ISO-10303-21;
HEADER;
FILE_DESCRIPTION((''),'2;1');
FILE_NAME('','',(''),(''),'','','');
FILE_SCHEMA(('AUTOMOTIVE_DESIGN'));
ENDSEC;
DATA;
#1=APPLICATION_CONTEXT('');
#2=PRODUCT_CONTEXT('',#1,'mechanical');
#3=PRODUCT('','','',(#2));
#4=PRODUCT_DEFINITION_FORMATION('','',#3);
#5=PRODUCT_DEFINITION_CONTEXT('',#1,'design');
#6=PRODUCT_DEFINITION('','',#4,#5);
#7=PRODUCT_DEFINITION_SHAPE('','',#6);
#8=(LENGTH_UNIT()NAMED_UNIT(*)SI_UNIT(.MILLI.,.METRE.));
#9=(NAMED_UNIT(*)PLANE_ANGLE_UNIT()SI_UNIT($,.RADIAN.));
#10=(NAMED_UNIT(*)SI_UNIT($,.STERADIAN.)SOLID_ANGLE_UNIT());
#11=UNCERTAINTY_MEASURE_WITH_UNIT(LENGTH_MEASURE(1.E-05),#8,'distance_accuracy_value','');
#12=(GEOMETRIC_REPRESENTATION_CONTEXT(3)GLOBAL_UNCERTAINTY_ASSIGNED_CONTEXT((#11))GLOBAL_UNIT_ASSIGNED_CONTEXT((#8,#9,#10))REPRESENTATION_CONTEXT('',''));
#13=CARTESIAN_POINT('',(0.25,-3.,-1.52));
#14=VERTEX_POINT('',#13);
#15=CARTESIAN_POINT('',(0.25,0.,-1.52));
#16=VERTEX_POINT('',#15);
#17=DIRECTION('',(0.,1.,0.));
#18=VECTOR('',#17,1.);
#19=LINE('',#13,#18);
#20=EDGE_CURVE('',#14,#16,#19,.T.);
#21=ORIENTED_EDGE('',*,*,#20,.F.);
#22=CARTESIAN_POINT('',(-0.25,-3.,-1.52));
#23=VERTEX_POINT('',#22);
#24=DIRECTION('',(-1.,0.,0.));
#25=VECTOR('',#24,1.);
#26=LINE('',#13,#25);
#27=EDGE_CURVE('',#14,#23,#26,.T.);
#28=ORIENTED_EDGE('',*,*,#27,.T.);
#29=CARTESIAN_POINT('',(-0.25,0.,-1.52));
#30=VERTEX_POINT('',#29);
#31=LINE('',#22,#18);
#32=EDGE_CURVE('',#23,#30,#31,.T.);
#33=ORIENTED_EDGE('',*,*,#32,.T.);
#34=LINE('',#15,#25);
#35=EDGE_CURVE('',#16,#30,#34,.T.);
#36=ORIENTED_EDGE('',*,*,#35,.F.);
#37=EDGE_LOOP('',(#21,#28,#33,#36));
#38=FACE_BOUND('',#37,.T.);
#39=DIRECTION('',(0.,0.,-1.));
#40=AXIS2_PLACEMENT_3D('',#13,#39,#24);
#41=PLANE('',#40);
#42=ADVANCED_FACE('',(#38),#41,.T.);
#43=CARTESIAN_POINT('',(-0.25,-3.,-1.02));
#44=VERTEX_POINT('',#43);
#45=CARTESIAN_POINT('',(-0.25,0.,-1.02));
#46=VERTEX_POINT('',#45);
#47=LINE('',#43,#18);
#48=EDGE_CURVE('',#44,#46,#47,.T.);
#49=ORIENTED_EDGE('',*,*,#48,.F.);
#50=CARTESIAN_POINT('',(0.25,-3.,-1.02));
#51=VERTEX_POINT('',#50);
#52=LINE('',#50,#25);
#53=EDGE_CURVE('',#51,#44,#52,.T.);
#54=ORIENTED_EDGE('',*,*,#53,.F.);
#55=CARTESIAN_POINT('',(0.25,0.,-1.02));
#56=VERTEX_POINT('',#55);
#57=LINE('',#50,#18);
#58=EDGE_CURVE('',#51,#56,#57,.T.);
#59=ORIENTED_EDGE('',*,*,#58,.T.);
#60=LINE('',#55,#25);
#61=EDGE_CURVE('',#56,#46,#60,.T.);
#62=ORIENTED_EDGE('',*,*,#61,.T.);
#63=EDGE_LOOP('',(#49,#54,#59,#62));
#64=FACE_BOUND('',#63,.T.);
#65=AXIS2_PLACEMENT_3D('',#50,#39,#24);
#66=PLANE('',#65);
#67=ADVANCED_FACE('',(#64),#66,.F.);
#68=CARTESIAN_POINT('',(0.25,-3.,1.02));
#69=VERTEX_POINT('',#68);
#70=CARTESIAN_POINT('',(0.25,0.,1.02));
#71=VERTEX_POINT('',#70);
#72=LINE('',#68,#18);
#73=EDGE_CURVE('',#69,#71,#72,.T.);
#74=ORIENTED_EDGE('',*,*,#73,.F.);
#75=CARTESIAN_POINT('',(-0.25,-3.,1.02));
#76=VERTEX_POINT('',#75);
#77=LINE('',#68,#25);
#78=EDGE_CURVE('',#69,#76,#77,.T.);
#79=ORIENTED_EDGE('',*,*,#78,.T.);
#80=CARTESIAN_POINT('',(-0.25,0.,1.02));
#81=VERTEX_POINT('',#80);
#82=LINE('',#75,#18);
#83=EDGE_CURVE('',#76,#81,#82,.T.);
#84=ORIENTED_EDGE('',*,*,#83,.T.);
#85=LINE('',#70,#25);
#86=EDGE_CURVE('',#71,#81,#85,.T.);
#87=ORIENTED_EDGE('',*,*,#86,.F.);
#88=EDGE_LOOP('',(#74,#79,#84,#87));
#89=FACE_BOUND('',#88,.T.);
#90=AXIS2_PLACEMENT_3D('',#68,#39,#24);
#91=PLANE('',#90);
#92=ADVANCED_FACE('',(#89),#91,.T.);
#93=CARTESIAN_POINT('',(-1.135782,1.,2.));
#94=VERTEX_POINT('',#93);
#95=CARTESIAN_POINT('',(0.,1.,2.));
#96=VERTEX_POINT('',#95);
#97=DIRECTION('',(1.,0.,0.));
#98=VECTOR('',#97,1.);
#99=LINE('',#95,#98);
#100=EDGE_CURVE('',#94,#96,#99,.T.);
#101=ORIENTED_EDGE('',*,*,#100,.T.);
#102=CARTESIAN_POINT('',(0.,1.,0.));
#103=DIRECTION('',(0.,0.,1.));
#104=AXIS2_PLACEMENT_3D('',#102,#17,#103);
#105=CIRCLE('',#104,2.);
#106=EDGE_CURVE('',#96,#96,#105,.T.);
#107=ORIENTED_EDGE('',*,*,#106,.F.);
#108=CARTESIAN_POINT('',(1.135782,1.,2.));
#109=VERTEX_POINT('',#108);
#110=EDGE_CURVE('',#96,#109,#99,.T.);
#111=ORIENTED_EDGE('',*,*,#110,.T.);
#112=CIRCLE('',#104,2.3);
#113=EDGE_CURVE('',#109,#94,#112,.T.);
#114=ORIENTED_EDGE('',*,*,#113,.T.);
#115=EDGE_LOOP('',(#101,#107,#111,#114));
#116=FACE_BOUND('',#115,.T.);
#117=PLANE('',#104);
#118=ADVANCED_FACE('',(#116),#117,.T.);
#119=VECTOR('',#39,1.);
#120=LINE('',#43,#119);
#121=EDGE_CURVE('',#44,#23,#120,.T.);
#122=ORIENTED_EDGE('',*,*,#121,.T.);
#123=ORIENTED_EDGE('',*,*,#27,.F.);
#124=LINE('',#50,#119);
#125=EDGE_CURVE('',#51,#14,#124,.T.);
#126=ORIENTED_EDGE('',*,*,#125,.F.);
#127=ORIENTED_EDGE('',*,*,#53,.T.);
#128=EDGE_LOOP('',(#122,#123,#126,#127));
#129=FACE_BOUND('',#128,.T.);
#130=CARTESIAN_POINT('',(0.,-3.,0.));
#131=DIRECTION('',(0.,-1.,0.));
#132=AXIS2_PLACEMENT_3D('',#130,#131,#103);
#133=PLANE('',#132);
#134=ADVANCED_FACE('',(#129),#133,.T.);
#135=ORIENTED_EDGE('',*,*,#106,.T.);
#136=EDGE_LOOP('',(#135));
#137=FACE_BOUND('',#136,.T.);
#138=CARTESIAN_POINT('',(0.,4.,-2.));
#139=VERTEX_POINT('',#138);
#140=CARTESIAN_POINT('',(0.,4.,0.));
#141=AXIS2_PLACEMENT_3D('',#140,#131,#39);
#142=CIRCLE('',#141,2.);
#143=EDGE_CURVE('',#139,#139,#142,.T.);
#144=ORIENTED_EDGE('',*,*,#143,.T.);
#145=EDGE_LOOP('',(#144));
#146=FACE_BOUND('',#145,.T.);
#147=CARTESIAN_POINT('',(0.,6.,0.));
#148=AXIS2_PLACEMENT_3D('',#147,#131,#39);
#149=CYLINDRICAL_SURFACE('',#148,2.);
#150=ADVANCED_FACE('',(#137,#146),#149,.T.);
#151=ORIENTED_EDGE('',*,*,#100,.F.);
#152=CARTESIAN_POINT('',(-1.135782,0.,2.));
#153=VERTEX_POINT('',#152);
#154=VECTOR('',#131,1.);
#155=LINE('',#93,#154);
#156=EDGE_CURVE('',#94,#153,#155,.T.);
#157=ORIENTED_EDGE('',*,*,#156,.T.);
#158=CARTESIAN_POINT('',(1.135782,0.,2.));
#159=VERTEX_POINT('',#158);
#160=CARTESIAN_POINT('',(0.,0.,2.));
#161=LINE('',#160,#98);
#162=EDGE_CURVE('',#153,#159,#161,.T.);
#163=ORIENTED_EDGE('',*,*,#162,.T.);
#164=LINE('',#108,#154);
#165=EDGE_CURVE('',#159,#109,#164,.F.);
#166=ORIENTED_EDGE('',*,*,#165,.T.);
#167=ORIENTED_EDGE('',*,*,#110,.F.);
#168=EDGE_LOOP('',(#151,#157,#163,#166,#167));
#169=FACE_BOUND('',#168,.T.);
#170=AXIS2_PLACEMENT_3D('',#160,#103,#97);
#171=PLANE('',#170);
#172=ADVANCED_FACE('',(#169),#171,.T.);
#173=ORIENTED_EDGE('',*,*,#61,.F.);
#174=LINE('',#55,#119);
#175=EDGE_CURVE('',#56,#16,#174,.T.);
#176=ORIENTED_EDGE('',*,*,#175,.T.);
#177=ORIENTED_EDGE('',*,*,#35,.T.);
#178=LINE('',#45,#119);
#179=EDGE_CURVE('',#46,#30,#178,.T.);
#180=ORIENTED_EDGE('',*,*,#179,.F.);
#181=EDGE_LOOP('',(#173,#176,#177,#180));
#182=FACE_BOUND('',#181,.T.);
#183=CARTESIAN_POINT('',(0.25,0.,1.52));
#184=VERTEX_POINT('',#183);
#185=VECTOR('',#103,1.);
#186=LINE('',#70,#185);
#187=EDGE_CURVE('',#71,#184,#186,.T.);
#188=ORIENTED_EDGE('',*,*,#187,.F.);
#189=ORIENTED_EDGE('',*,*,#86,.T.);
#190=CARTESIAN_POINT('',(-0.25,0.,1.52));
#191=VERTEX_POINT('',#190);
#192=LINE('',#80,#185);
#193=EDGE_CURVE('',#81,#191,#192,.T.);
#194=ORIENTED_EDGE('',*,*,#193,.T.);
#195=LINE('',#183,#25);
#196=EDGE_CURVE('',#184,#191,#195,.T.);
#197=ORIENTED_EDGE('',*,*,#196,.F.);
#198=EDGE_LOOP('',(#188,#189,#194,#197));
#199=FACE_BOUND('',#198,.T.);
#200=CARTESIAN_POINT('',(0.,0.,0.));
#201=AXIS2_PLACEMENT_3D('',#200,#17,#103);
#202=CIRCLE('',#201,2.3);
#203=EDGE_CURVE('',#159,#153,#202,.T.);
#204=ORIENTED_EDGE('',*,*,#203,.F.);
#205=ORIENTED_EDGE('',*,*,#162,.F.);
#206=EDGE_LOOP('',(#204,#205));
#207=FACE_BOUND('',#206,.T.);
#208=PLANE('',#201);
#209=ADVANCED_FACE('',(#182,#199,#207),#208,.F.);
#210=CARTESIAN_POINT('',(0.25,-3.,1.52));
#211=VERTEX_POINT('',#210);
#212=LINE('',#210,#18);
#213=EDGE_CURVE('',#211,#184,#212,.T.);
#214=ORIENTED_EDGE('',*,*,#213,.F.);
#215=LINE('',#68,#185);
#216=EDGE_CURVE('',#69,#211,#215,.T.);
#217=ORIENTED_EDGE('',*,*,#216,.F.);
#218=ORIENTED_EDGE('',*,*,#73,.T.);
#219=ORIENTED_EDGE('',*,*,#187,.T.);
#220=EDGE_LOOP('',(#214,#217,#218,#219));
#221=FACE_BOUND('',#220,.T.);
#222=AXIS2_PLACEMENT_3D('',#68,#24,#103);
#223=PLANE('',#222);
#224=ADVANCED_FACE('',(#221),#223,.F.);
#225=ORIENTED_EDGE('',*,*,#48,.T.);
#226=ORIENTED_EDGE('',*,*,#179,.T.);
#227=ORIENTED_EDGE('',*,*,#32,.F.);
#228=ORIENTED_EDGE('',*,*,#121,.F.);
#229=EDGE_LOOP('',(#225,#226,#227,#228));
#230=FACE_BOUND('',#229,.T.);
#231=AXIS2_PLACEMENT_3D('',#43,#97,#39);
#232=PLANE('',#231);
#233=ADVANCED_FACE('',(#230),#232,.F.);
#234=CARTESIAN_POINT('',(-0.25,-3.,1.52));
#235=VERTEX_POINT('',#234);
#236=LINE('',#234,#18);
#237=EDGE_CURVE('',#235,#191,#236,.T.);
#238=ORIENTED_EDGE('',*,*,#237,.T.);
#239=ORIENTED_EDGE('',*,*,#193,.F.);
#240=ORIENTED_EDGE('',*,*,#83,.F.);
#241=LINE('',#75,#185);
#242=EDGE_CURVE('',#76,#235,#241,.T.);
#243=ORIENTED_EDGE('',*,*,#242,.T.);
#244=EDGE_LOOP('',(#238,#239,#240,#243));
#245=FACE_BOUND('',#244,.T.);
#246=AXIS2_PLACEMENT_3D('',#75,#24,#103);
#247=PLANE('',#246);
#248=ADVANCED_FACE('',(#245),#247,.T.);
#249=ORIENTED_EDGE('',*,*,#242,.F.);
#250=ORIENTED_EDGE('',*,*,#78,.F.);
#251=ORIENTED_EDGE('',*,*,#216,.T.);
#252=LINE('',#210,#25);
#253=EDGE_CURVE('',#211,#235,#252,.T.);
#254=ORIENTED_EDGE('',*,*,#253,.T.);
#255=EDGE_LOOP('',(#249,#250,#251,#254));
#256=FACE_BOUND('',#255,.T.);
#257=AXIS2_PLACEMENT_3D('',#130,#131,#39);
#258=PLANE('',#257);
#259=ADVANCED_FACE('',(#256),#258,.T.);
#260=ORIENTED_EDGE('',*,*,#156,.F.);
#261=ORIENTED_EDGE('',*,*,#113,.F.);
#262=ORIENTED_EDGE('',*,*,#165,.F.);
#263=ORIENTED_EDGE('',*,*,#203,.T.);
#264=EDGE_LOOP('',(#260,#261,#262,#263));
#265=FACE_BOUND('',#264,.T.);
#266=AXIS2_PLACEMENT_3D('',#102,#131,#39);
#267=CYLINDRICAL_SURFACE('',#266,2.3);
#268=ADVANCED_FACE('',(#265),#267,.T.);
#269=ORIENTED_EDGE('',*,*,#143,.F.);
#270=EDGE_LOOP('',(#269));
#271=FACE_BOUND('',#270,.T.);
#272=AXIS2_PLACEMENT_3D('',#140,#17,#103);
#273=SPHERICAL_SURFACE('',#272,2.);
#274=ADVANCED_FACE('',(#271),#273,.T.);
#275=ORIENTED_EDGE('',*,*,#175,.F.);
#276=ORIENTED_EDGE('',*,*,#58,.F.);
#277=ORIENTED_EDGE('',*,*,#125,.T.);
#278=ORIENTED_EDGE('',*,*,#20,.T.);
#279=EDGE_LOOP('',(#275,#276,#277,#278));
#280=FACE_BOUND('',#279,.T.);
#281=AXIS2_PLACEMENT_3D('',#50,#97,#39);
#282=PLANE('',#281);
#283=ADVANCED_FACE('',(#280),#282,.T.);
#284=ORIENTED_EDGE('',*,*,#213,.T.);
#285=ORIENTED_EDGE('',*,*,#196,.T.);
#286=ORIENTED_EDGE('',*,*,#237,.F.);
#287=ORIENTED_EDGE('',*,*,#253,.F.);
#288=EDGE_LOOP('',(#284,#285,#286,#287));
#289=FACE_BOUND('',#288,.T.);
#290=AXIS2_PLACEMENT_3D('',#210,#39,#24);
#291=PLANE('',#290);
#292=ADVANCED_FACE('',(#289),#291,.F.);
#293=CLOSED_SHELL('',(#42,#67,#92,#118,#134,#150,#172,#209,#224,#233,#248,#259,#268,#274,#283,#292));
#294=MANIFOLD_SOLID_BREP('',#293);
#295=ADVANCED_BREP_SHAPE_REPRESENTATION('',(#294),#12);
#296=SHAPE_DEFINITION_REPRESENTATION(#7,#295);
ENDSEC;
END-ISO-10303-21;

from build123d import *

# Parameters (mm, degrees)
SKETCH_1_R          = 2.3
EXTRUDE_1_DEPTH     = 1
SKETCH_2_R          = 2
EXTRUDE_2_DEPTH     = 5
SKETCH_3_W          = 0.5
SKETCH_3_H          = 0.5
EXTRUDE_3_DEPTH     = 3
SKETCH_4_W          = 9.434244616
SKETCH_4_H          = 19.451997256
CUT_EXTRUDE_1_DEPTH = 3
FILLET_1_R          = 2


with BuildPart() as part:
    # Эскиз1 → Бобышка-Вытянуть1 (new body)
    with BuildSketch(Plane(origin=(0, 0, 0), x_dir=(1, 0, 0), z_dir=(0, 1, 0))):
        with Locations(Location((0, 0, 0), (0, 0, 270))):
            Circle(SKETCH_1_R)
    extrude(amount=EXTRUDE_1_DEPTH)

    # Эскиз2 → Бобышка-Вытянуть2 (add)
    with BuildSketch(Plane(origin=(0, 1, 0), x_dir=(1, 0, 0), z_dir=(0, 1, 0))):
        with Locations(Location((0, 0, 0), (0, 0, 270))):
            Circle(SKETCH_2_R)
    extrude(amount=EXTRUDE_2_DEPTH)

    # Эскиз3 → Бобышка-Вытянуть3 (add)
    with BuildSketch(Plane.XZ):
        with Locations((0, 1.27)):
            Rectangle(SKETCH_3_W, SKETCH_3_H)
    extrude_3 = extrude(amount=EXTRUDE_3_DEPTH)

    # Зеркальное отражение1: Бобышка-Вытянуть3 across plane
    add(extrude_3.mirror(Plane(origin=(0, 0, 0), x_dir=(1, 0, 0), z_dir=(0, 0, -1))))

    # Эскиз4 → Вырез-Вытянуть1 (cut)
    with BuildSketch(Plane.XY.offset(2)):
        Rectangle(SKETCH_4_W, SKETCH_4_H)
    extrude(amount=CUT_EXTRUDE_1_DEPTH, mode=Mode.SUBTRACT)

    # Скругление1
    fillet_1_edges = [part.edges().sort_by_distance(p)[0] for p in [
        (0, 6, -2),
    ]]
    fillet(fillet_1_edges, radius=FILLET_1_R)


solid = part.part
